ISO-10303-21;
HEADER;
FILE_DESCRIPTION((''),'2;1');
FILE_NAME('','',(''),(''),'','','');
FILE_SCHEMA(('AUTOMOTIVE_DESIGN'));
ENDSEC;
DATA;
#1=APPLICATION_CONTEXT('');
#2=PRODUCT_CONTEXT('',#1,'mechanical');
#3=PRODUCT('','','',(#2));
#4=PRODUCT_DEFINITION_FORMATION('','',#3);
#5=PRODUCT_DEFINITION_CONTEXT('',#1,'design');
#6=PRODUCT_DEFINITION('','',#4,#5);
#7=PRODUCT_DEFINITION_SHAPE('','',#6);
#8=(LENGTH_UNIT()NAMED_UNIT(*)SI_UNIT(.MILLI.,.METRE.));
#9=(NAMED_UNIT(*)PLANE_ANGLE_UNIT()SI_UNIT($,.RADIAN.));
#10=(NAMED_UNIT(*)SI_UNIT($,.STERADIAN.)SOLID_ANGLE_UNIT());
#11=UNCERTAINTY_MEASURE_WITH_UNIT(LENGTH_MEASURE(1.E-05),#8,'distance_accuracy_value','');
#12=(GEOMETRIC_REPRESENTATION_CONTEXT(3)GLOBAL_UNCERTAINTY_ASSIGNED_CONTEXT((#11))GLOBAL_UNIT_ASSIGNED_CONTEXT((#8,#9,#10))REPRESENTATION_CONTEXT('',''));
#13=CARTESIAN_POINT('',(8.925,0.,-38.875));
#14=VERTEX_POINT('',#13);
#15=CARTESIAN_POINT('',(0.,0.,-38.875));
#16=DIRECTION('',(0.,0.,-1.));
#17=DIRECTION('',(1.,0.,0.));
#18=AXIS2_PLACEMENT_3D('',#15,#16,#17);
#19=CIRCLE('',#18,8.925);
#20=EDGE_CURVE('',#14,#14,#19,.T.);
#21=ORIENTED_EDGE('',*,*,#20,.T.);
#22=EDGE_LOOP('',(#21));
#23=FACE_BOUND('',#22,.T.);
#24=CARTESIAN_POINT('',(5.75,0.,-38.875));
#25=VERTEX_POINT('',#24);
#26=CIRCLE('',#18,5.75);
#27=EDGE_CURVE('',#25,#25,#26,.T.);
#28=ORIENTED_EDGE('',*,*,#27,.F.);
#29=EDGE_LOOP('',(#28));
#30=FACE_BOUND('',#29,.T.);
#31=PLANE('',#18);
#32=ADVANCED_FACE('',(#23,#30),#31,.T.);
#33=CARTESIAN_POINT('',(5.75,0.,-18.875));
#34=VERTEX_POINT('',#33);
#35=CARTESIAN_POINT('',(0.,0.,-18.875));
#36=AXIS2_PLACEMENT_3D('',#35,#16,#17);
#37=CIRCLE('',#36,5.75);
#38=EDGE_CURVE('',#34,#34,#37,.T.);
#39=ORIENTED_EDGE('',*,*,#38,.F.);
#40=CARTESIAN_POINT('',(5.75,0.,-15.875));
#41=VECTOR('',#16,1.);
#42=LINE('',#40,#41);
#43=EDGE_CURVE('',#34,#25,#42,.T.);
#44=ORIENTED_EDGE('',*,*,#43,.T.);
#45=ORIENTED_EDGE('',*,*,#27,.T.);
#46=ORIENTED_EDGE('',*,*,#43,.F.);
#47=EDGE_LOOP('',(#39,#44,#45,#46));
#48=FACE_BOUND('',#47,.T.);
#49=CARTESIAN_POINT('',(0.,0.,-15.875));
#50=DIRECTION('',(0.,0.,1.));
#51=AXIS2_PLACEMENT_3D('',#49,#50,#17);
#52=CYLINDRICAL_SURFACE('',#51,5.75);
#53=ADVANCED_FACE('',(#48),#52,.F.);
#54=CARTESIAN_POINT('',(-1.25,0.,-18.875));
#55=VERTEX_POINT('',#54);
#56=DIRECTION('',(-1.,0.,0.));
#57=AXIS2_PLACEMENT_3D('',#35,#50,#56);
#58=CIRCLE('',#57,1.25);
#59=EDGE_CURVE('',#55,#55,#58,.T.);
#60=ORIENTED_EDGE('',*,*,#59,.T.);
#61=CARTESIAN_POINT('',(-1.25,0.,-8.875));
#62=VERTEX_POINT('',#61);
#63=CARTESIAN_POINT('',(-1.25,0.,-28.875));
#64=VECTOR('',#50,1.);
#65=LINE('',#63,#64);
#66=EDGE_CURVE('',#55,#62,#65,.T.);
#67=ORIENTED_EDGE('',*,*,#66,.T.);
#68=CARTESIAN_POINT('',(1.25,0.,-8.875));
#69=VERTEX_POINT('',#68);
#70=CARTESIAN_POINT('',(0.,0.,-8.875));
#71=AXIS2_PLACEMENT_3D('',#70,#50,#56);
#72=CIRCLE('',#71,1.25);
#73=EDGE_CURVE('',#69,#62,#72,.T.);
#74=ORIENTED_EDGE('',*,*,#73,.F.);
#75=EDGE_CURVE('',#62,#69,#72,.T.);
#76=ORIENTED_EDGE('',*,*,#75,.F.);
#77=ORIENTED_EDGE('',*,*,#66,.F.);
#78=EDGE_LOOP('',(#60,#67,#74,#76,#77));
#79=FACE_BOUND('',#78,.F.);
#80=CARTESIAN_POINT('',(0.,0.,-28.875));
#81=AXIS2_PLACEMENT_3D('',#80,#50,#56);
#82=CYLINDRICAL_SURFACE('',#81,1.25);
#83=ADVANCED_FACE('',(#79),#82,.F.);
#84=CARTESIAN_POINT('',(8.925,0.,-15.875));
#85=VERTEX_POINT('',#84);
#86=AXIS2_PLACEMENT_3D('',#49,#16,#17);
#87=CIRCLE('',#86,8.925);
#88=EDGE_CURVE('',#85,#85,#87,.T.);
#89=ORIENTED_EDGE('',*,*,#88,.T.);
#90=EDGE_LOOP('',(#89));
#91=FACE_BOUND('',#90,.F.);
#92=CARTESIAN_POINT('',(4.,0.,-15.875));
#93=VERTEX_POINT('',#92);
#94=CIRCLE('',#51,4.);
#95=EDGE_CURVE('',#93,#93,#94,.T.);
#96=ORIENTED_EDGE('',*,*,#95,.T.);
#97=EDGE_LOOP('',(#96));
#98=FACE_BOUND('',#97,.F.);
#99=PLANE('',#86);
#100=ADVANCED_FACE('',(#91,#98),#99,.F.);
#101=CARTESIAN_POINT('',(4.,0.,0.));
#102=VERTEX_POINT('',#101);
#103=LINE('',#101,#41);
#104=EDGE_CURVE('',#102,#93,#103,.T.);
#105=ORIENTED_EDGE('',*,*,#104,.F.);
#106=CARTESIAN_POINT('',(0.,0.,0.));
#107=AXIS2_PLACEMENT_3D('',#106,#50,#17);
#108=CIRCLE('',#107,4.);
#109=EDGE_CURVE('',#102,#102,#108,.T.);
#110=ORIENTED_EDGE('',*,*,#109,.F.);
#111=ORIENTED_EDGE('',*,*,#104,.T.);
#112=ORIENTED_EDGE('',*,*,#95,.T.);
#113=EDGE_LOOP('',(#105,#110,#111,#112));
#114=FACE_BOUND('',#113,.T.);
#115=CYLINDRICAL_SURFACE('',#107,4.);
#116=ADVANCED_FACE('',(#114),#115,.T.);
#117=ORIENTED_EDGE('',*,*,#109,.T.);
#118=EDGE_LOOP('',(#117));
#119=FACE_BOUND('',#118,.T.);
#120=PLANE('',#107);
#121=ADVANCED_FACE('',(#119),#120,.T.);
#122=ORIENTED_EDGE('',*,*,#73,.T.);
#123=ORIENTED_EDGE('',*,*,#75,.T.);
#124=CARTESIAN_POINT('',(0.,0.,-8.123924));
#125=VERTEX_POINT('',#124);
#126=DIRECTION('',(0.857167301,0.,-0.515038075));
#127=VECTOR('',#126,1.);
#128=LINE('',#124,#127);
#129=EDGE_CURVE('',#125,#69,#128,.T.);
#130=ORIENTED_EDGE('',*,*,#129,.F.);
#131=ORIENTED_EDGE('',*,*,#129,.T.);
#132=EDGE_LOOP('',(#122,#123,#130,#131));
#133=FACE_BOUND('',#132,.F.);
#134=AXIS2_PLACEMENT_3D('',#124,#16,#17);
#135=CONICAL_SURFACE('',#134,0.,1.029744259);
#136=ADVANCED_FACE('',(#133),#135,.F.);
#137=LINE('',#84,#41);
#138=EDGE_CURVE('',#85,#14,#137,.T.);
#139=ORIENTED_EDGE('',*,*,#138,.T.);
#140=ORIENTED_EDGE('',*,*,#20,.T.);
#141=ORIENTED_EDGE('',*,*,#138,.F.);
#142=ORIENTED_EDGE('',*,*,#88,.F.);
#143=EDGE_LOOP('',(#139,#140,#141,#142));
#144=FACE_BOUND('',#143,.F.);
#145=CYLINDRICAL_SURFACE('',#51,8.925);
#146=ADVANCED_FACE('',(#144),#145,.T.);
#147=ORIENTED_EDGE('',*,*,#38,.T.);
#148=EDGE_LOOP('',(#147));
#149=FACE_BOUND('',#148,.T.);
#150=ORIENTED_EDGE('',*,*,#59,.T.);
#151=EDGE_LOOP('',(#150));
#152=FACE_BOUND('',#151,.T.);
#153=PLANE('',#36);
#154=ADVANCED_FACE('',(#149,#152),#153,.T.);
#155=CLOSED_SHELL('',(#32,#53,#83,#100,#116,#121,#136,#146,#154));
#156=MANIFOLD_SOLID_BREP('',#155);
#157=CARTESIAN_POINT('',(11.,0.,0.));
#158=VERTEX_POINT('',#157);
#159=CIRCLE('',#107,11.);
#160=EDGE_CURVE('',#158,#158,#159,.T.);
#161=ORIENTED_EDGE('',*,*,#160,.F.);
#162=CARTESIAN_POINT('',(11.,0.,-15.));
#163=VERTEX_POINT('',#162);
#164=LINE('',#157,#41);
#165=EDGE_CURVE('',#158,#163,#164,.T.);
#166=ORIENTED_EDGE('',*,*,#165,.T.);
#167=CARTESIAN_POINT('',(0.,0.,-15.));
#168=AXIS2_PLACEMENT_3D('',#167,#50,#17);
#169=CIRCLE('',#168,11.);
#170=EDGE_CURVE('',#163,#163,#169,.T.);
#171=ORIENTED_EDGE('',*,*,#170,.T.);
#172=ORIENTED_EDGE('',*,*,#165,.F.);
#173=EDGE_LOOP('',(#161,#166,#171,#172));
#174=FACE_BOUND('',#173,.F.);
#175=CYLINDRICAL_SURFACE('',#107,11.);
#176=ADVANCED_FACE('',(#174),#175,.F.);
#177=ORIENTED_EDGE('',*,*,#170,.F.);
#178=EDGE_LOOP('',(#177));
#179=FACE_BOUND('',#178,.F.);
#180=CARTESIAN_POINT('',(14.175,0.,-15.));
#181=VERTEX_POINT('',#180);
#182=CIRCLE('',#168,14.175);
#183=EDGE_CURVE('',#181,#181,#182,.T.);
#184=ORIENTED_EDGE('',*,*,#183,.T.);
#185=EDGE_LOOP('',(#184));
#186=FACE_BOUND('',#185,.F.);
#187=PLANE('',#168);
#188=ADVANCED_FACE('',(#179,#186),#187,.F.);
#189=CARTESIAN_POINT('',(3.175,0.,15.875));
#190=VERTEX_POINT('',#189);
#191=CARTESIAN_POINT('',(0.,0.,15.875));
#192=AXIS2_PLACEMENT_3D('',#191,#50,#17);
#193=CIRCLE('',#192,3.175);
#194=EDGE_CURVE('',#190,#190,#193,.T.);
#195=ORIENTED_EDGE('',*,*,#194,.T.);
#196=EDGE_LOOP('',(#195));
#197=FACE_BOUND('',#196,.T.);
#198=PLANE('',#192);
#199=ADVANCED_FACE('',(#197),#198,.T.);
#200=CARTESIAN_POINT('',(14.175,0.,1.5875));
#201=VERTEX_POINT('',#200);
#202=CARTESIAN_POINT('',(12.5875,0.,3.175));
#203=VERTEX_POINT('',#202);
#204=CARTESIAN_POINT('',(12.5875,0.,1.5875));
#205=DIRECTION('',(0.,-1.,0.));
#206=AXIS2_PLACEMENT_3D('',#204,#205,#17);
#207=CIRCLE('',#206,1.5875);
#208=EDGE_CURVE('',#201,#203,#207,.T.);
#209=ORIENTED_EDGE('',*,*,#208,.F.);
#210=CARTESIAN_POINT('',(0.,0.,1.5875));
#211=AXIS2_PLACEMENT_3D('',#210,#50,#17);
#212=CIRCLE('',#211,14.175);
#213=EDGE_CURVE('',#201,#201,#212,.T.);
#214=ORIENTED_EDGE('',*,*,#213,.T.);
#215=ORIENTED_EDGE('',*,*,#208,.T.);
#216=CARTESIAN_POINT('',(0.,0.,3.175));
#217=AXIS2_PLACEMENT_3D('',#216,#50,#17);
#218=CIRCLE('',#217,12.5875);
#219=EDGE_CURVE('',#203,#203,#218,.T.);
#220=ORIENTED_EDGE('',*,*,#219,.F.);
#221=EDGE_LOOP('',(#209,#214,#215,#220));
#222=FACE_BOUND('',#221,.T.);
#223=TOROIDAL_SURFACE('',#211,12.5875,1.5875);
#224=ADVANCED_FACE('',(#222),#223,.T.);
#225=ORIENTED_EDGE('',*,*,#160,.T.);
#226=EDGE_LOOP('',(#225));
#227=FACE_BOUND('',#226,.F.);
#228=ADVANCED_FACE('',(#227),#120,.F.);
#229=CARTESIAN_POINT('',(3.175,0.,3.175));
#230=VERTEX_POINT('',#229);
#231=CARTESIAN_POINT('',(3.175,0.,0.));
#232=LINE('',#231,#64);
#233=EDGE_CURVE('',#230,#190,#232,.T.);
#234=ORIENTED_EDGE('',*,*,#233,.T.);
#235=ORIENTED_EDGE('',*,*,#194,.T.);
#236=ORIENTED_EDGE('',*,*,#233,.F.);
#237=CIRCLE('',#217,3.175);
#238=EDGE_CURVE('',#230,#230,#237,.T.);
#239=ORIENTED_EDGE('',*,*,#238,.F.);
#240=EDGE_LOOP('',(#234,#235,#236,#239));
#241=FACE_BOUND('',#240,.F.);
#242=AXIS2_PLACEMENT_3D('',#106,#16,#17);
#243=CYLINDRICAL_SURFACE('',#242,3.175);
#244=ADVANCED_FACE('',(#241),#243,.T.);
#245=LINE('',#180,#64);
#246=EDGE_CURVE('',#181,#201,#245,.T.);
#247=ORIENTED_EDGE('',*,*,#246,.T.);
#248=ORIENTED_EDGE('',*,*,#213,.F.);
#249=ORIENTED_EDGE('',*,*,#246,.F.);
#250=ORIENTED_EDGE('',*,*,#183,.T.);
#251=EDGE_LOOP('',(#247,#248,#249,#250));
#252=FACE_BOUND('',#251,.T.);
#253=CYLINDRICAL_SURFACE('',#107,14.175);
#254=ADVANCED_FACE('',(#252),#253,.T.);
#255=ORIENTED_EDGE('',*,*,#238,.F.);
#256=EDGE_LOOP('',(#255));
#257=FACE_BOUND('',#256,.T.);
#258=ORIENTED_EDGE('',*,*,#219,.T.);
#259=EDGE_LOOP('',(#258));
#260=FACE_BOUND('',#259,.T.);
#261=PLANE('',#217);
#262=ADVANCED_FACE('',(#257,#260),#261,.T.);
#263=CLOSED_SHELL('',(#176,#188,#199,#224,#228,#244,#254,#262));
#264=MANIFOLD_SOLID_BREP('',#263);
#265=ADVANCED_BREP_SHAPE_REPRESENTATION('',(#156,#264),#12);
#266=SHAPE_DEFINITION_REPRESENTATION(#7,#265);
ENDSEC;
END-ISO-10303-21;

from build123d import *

# Parameters (mm, degrees)
F0_R      = 3.175
F1_DEPTH  = 15.875
F0_R_2    = 14.175
F0_R_3    = 11
F0_R_4    = 4
F2_DEPTH  = 3.175
F3_DEPTH  = 15
F4_R      = 1.5875
F5_R      = 4
F6_DEPTH  = 15.875
F7_R      = 8.925
F7_R_2    = 5.75
F8_DEPTH  = 23
F7_R_3    = 4
F9_DEPTH  = 3
F11_D     = 2.5
F11_DEPTH = 10
F11_TIP   = 0.7510757738


with BuildPart() as f1:
    # F0 (on Top) → F1 (new body)
    with BuildSketch(Plane.XY):
        Circle(F0_R)
    extrude(amount=F1_DEPTH)

    # F0 (on Top) → F2 (join)
    with BuildSketch(Plane.XY):
        Circle(F0_R_2)
        Circle(F0_R_3, mode=Mode.SUBTRACT)
        Circle(F0_R_3)
        Circle(F0_R_4, mode=Mode.SUBTRACT)
        Circle(F0_R_4)
        Circle(F0_R, mode=Mode.SUBTRACT)
    extrude(amount=F2_DEPTH)

    # F0 (on Top) → F3 (join)
    with BuildSketch(Plane.XY):
        Circle(F0_R_2)
        Circle(F0_R_3, mode=Mode.SUBTRACT)
    extrude(amount=-F3_DEPTH)

    # F4
    f4_edges = [f1.edges().sort_by_distance(p)[0] for p in [
        (-14.175, 0, 3.175),
    ]]
    fillet(f4_edges, radius=F4_R)


with BuildPart() as f6:
    # F5 (on face) → F6 (new body)
    with BuildSketch(Plane.XY):
        Circle(F5_R)
    extrude(amount=-F6_DEPTH)



with BuildPart() as f8:
    # F7 (on face) → F8 (new body)
    with BuildSketch(Plane(origin=(0, 0, -15.875), x_dir=(1, 0, 0), z_dir=(0, 0, -1))):
        Circle(F7_R)
        Circle(F7_R_2, mode=Mode.SUBTRACT)
    extrude(amount=F8_DEPTH)


with BuildPart() as f6_1:
    add(f6.part)

    add(f8.part)  # F9 merges F8
    # F7 (on face) → F9 (join)
    with BuildSketch(Plane(origin=(0, 0, -15.875), x_dir=(1, 0, 0), z_dir=(0, 0, -1))):
        Circle(F7_R_2)
        Circle(F7_R_3, mode=Mode.SUBTRACT)
        Circle(F7_R_3)
    extrude(amount=F9_DEPTH)

    # F11
    with Locations(Plane(origin=(0, 0, -18.875), x_dir=(1, 0, 0), z_dir=(0, 0, -1))):
        with Locations((0, 0)):
            Hole(F11_D / 2, depth=F11_DEPTH)
            with Locations((0, 0, -(F11_DEPTH + F11_TIP / 2))):  # 118° drill point
                Cone(0, F11_D / 2, F11_TIP, mode=Mode.SUBTRACT)


solid = Compound([f1.part, f6_1.part])
